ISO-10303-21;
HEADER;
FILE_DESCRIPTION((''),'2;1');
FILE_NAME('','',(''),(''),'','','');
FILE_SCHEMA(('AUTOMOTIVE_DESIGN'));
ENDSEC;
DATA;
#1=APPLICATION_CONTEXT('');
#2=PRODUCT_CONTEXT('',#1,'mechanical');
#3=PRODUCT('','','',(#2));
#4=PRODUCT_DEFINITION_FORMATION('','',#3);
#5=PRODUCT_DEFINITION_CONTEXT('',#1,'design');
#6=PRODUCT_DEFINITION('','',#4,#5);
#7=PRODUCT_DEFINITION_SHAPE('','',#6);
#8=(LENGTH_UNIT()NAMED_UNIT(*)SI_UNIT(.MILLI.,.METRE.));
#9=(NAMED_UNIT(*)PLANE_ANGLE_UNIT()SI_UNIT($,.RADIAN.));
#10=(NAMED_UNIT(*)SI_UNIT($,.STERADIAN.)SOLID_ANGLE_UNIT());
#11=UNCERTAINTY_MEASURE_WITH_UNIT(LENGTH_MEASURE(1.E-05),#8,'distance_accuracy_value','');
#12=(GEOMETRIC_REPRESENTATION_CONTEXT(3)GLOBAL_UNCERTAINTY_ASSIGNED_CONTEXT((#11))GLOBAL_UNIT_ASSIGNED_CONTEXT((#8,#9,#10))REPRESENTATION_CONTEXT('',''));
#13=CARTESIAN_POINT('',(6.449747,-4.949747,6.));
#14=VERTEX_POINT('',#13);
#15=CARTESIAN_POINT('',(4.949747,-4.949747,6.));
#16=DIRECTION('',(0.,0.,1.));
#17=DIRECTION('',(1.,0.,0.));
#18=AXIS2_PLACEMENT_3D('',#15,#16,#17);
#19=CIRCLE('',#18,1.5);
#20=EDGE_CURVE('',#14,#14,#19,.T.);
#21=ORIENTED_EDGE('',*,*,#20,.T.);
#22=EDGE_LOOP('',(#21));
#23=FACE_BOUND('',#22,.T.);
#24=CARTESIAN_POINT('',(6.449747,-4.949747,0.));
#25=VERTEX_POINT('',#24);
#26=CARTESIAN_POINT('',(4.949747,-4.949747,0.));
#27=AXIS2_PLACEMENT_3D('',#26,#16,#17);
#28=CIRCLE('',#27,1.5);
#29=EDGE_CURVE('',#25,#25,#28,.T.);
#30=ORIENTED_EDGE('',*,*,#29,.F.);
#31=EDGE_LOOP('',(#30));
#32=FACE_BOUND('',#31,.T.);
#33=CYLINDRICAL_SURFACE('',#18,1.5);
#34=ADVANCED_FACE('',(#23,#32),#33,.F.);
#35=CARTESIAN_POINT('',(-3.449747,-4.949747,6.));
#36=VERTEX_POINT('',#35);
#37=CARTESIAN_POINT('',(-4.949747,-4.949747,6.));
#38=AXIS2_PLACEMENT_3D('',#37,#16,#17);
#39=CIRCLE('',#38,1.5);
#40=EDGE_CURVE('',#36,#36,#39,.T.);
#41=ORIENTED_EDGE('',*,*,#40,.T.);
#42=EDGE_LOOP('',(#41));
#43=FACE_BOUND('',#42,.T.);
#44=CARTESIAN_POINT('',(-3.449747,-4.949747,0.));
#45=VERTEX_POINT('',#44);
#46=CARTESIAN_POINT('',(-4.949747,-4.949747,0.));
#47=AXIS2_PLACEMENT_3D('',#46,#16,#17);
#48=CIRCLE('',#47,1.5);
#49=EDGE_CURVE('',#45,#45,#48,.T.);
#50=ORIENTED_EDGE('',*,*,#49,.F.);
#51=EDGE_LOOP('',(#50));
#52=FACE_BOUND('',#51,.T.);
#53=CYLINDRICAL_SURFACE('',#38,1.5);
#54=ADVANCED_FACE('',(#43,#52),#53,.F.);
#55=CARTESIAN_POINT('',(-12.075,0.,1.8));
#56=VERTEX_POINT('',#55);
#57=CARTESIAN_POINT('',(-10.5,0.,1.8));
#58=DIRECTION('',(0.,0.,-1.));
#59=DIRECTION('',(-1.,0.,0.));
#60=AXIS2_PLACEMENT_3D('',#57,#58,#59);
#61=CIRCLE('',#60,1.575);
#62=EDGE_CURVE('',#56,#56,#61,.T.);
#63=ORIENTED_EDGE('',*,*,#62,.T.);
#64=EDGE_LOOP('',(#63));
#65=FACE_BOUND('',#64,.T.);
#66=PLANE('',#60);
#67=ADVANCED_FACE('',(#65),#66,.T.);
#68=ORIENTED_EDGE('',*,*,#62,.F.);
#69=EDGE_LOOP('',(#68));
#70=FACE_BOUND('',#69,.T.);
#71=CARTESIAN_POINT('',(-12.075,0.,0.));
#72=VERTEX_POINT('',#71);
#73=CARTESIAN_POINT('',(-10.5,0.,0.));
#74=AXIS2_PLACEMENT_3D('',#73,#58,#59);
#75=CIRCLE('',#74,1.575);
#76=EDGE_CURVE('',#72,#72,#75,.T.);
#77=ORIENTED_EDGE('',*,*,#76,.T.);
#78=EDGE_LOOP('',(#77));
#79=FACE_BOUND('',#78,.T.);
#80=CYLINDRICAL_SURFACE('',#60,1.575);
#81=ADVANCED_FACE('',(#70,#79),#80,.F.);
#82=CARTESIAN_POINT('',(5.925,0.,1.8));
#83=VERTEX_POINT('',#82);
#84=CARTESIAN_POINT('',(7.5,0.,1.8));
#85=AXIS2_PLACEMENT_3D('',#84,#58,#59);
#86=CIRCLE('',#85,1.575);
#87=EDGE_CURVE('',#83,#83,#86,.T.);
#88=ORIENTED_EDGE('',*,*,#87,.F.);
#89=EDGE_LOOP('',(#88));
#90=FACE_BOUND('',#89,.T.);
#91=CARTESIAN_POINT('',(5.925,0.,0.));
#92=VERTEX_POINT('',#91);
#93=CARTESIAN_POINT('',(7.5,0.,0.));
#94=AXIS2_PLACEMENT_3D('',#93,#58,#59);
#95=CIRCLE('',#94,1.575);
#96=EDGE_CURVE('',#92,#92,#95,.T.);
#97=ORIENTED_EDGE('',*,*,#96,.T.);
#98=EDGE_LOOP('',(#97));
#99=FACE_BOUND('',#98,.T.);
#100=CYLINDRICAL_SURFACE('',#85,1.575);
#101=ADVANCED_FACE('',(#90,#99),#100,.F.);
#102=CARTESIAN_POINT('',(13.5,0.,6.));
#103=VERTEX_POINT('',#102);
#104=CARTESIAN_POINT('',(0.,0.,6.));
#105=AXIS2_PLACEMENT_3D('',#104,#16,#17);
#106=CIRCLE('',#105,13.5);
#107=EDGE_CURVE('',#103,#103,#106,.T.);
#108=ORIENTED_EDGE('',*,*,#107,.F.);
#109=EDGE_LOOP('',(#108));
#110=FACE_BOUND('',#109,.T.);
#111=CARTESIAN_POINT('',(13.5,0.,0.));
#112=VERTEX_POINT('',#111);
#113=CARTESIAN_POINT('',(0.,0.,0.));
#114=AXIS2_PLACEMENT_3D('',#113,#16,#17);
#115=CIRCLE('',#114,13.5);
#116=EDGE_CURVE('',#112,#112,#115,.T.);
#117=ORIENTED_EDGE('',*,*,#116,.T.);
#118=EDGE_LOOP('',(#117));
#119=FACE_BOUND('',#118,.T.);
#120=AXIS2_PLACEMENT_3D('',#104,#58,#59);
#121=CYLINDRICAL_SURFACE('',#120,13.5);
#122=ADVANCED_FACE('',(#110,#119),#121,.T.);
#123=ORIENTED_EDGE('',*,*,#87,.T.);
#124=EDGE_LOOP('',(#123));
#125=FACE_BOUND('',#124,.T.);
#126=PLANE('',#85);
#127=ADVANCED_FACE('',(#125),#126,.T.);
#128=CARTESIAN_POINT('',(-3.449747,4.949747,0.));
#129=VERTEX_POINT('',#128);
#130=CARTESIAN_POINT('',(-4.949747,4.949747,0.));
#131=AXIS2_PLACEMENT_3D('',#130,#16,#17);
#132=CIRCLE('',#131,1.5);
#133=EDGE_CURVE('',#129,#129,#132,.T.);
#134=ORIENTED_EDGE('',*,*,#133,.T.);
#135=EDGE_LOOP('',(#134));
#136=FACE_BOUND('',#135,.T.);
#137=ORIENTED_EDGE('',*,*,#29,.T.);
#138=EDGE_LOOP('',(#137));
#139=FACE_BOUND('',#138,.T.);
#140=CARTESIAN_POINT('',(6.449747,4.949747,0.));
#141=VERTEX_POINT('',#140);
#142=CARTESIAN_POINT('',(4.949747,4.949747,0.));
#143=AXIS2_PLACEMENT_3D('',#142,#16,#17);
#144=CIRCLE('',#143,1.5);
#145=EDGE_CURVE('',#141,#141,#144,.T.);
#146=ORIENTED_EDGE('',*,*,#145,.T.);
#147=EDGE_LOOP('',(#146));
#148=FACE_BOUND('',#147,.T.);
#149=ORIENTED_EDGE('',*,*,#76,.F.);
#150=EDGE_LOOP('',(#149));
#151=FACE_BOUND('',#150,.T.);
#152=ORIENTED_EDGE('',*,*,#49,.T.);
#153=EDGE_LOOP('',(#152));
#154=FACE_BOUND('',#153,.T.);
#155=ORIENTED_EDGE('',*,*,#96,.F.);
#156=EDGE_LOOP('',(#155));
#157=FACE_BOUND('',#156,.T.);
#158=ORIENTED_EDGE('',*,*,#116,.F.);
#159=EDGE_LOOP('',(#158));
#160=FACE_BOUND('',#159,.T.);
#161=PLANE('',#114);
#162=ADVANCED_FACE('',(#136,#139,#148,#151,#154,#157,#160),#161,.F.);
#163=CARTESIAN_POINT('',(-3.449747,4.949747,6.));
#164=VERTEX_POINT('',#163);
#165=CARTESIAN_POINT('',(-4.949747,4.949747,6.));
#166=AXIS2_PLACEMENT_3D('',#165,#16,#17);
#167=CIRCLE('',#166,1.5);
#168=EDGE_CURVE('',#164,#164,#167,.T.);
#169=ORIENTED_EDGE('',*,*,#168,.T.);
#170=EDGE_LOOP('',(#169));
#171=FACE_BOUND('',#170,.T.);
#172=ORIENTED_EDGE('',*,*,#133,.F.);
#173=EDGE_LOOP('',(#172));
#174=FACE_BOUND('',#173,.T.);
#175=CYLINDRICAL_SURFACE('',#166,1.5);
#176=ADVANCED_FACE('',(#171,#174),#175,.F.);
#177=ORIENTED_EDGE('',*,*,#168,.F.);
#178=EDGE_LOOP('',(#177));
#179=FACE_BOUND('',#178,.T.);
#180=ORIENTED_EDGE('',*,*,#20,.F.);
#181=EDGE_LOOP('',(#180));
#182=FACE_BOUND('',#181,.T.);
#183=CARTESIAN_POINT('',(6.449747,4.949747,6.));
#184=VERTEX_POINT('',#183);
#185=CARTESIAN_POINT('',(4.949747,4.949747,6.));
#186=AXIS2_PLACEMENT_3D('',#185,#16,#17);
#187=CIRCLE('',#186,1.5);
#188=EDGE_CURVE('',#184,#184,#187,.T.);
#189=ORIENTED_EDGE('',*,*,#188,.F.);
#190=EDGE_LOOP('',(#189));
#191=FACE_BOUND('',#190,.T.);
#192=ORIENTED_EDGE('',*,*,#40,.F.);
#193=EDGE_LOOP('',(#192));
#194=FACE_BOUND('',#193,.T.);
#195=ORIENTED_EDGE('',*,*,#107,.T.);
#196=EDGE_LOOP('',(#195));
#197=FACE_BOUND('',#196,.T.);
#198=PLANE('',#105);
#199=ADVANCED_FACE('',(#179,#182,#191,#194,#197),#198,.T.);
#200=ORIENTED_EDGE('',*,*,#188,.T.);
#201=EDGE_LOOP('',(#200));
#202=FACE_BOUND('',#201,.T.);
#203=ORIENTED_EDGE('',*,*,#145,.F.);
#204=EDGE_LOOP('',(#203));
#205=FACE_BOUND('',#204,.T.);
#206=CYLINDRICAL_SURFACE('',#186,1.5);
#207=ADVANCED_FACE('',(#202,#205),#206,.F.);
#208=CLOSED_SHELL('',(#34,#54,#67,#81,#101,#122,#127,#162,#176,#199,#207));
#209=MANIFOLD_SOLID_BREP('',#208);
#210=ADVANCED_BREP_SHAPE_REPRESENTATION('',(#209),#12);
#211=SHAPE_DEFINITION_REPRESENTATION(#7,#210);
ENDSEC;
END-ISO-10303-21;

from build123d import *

# Parameters (mm, degrees)
CROQUIS1_R                        = 13.5
SALIENTE_EXTRUIR1_DEPTH           = 6
CROQUIS3_R                        = 1.575
CORTAR_EXTRUIR1_DEPTH             = 1.8
DI_METRO_DE_TALADRO_3_0_3_2_D     = 3
DI_METRO_DE_TALADRO_3_0_3_2_DEPTH = 50
DI_METRO_DE_TALADRO_3_0_3_2_TIP   = 0.901290929


with BuildPart() as part:
    # Croquis1 → Saliente-Extruir1 (new body)
    with BuildSketch(Plane.XY):
        Circle(CROQUIS1_R)
    extrude(amount=SALIENTE_EXTRUIR1_DEPTH)

    # Croquis3 → Cortar-Extruir1 (cut)
    with BuildSketch(Plane(origin=(0, 0, 0), x_dir=(-1, 0, 0), z_dir=(0, 0, -1))):
        with Locations((10.5, 0)):
            Circle(CROQUIS3_R)
        with Locations((-7.5, 0)):
            Circle(CROQUIS3_R)
    extrude(amount=-CORTAR_EXTRUIR1_DEPTH, mode=Mode.SUBTRACT)

    # Diámetro de taladro Ø3.0 (3)2
    with Locations(Plane.XY.offset(6)):
        with Locations((-4.949747468, 4.949747468), (-4.949747468, -4.949747468), (4.949747468, -4.949747468), (4.949747468, 4.949747468)):
            Hole(DI_METRO_DE_TALADRO_3_0_3_2_D / 2, depth=DI_METRO_DE_TALADRO_3_0_3_2_DEPTH)
            with Locations((0, 0, -(DI_METRO_DE_TALADRO_3_0_3_2_DEPTH + DI_METRO_DE_TALADRO_3_0_3_2_TIP / 2))):  # 118° drill point
                Cone(0, DI_METRO_DE_TALADRO_3_0_3_2_D / 2, DI_METRO_DE_TALADRO_3_0_3_2_TIP, mode=Mode.SUBTRACT)


solid = part.part
